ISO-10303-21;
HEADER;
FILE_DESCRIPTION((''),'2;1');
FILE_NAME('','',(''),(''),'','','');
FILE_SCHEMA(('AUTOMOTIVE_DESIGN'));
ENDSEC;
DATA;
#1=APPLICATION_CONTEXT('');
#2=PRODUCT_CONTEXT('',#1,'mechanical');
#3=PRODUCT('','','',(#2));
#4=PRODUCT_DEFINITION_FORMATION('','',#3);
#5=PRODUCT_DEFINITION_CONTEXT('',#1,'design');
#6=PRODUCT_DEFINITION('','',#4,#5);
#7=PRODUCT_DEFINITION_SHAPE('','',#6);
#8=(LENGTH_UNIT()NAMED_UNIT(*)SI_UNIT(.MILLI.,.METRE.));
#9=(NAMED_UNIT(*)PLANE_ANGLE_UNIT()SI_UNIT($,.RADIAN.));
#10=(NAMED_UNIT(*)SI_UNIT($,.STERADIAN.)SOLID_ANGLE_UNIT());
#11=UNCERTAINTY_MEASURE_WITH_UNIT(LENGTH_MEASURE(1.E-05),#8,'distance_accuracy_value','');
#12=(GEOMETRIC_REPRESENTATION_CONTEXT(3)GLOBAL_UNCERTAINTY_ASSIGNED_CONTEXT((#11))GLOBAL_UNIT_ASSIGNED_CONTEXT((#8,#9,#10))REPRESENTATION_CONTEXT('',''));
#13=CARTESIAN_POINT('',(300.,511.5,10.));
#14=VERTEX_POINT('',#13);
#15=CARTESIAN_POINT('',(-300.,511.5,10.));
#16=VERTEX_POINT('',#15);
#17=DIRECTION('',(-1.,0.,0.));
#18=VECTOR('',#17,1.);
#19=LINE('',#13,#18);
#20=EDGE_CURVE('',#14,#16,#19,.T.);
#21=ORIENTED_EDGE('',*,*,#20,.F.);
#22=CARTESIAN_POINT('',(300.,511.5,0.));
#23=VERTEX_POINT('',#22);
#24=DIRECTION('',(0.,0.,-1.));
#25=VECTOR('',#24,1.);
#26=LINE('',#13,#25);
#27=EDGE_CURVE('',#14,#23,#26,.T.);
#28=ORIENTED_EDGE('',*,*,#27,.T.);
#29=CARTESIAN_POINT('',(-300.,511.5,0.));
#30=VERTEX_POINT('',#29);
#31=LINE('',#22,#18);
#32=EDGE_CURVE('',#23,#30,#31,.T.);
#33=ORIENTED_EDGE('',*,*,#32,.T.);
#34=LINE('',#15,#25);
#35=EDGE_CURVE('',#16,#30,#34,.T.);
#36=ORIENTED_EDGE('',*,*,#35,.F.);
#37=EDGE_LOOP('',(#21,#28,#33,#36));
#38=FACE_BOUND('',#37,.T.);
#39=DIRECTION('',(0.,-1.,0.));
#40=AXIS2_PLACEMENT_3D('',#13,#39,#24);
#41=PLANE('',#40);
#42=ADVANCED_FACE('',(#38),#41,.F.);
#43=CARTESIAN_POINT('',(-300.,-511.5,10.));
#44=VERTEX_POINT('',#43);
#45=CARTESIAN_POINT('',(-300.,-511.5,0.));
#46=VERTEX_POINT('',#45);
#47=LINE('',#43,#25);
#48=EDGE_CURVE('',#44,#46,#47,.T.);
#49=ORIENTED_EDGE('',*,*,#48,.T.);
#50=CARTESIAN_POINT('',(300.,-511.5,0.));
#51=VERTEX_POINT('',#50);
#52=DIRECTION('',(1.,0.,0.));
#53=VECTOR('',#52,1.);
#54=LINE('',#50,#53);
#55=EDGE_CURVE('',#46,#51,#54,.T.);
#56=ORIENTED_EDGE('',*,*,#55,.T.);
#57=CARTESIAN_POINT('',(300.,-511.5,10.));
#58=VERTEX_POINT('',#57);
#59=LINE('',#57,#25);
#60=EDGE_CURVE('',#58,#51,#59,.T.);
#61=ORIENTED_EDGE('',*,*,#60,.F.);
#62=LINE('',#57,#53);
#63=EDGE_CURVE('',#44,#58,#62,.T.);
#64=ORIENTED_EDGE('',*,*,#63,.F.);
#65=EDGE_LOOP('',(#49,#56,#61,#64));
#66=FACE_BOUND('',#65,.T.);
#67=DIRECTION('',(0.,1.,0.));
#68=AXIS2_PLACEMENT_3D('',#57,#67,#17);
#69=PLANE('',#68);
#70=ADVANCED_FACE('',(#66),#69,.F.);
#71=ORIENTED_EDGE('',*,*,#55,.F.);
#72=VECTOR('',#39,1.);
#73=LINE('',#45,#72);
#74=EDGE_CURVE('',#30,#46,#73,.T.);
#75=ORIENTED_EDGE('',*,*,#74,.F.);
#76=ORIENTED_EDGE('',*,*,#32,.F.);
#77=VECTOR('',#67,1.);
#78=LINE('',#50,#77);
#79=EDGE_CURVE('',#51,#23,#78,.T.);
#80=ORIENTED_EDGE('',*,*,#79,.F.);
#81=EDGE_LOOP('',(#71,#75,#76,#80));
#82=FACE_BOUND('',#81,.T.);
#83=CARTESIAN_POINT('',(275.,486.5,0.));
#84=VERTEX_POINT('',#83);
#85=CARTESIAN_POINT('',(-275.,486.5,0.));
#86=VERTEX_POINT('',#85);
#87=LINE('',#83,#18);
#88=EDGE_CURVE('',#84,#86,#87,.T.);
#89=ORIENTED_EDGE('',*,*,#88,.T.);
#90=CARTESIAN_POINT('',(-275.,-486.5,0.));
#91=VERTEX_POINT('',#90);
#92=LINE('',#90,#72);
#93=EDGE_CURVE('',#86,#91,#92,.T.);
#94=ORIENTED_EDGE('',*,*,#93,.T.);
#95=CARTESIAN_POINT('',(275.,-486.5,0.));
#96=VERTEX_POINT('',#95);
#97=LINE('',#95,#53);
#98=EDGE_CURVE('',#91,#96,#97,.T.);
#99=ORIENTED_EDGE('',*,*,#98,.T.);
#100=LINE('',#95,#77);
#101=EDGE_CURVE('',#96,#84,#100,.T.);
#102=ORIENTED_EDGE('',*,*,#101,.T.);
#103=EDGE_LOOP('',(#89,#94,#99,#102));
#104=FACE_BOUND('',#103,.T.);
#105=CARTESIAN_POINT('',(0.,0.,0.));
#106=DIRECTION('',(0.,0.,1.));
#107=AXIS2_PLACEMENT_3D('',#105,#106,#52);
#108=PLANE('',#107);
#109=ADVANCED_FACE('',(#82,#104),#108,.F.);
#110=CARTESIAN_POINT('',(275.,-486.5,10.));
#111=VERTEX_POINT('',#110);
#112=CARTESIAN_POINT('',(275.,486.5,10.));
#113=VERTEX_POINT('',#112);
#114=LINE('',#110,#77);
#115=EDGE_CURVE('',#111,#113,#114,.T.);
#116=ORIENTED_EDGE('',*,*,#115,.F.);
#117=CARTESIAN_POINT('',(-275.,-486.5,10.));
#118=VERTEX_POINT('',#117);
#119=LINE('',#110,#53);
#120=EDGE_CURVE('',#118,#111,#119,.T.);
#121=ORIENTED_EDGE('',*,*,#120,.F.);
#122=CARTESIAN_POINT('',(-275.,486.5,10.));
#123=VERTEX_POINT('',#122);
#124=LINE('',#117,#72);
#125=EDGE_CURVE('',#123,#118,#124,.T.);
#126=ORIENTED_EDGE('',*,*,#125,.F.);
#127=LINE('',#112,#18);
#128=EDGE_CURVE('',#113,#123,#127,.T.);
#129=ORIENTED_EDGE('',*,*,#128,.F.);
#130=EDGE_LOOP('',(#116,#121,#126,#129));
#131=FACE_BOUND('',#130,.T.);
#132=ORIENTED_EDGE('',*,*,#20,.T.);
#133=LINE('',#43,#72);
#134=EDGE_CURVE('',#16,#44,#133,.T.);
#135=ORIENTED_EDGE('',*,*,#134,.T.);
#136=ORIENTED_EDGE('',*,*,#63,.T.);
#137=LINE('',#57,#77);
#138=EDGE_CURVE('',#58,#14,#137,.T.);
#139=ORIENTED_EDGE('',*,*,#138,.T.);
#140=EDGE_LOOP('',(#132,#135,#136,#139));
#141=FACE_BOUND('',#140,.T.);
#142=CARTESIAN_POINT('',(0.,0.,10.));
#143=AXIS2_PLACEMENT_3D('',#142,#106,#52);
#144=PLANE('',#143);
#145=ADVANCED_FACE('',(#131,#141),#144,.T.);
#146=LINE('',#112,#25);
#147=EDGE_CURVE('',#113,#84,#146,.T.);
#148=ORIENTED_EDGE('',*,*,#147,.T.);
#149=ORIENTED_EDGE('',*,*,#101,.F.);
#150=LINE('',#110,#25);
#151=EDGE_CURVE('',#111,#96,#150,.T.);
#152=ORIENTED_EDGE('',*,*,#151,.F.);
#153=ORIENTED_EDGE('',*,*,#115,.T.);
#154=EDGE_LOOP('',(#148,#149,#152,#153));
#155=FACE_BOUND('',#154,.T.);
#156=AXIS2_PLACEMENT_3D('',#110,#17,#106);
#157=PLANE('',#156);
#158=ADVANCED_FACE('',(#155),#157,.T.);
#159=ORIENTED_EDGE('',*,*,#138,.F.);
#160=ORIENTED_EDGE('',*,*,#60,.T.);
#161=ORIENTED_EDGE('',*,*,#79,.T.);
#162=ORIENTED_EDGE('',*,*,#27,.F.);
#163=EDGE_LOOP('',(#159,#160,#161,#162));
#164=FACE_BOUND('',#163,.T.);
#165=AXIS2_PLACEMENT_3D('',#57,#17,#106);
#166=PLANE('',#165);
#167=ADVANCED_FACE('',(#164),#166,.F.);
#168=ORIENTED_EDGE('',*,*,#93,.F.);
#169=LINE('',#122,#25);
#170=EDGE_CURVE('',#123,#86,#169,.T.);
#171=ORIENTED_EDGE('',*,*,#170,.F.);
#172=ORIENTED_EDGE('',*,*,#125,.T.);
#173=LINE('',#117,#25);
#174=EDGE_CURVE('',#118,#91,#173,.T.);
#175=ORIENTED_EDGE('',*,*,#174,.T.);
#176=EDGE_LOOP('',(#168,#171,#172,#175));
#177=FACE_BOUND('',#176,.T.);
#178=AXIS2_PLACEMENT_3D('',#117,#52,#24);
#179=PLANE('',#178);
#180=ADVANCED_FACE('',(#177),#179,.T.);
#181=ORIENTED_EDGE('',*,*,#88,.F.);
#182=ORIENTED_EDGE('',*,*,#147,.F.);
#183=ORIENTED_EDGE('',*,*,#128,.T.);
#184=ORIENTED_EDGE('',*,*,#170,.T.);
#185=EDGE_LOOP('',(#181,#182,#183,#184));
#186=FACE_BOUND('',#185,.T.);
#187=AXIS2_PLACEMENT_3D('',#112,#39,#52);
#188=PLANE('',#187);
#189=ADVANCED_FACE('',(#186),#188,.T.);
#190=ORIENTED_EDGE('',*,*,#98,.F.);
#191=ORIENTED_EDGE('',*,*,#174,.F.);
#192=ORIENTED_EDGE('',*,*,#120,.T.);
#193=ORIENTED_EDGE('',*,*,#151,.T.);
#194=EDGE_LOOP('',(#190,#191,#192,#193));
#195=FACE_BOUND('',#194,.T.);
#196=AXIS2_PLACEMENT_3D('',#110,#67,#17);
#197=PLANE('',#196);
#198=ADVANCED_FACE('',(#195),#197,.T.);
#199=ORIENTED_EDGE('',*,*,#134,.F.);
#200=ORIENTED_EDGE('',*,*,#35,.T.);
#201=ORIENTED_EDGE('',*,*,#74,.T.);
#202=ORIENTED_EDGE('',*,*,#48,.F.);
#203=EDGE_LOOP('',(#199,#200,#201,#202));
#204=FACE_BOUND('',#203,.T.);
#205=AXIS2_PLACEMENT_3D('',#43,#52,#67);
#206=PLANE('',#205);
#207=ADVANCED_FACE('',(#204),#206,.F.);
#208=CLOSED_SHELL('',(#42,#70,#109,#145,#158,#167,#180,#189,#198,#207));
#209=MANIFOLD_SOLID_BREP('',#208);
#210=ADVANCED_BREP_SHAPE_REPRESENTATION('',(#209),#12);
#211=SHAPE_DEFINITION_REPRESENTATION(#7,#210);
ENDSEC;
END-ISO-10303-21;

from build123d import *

# Parameters (mm, degrees)
SKETCH3_W           = 600
SKETCH3_H           = 1023
SKETCH3_W_2         = 550
SKETCH3_H_2         = 973
BOSS_EXTRUDE2_DEPTH = 10


with BuildPart() as part:
    # Sketch3 → Boss-Extrude2 (new body)
    with BuildSketch(Plane.XY):
        Rectangle(SKETCH3_W, SKETCH3_H)
        Rectangle(SKETCH3_W_2, SKETCH3_H_2, mode=Mode.SUBTRACT)
    extrude(amount=BOSS_EXTRUDE2_DEPTH)


solid = part.part
